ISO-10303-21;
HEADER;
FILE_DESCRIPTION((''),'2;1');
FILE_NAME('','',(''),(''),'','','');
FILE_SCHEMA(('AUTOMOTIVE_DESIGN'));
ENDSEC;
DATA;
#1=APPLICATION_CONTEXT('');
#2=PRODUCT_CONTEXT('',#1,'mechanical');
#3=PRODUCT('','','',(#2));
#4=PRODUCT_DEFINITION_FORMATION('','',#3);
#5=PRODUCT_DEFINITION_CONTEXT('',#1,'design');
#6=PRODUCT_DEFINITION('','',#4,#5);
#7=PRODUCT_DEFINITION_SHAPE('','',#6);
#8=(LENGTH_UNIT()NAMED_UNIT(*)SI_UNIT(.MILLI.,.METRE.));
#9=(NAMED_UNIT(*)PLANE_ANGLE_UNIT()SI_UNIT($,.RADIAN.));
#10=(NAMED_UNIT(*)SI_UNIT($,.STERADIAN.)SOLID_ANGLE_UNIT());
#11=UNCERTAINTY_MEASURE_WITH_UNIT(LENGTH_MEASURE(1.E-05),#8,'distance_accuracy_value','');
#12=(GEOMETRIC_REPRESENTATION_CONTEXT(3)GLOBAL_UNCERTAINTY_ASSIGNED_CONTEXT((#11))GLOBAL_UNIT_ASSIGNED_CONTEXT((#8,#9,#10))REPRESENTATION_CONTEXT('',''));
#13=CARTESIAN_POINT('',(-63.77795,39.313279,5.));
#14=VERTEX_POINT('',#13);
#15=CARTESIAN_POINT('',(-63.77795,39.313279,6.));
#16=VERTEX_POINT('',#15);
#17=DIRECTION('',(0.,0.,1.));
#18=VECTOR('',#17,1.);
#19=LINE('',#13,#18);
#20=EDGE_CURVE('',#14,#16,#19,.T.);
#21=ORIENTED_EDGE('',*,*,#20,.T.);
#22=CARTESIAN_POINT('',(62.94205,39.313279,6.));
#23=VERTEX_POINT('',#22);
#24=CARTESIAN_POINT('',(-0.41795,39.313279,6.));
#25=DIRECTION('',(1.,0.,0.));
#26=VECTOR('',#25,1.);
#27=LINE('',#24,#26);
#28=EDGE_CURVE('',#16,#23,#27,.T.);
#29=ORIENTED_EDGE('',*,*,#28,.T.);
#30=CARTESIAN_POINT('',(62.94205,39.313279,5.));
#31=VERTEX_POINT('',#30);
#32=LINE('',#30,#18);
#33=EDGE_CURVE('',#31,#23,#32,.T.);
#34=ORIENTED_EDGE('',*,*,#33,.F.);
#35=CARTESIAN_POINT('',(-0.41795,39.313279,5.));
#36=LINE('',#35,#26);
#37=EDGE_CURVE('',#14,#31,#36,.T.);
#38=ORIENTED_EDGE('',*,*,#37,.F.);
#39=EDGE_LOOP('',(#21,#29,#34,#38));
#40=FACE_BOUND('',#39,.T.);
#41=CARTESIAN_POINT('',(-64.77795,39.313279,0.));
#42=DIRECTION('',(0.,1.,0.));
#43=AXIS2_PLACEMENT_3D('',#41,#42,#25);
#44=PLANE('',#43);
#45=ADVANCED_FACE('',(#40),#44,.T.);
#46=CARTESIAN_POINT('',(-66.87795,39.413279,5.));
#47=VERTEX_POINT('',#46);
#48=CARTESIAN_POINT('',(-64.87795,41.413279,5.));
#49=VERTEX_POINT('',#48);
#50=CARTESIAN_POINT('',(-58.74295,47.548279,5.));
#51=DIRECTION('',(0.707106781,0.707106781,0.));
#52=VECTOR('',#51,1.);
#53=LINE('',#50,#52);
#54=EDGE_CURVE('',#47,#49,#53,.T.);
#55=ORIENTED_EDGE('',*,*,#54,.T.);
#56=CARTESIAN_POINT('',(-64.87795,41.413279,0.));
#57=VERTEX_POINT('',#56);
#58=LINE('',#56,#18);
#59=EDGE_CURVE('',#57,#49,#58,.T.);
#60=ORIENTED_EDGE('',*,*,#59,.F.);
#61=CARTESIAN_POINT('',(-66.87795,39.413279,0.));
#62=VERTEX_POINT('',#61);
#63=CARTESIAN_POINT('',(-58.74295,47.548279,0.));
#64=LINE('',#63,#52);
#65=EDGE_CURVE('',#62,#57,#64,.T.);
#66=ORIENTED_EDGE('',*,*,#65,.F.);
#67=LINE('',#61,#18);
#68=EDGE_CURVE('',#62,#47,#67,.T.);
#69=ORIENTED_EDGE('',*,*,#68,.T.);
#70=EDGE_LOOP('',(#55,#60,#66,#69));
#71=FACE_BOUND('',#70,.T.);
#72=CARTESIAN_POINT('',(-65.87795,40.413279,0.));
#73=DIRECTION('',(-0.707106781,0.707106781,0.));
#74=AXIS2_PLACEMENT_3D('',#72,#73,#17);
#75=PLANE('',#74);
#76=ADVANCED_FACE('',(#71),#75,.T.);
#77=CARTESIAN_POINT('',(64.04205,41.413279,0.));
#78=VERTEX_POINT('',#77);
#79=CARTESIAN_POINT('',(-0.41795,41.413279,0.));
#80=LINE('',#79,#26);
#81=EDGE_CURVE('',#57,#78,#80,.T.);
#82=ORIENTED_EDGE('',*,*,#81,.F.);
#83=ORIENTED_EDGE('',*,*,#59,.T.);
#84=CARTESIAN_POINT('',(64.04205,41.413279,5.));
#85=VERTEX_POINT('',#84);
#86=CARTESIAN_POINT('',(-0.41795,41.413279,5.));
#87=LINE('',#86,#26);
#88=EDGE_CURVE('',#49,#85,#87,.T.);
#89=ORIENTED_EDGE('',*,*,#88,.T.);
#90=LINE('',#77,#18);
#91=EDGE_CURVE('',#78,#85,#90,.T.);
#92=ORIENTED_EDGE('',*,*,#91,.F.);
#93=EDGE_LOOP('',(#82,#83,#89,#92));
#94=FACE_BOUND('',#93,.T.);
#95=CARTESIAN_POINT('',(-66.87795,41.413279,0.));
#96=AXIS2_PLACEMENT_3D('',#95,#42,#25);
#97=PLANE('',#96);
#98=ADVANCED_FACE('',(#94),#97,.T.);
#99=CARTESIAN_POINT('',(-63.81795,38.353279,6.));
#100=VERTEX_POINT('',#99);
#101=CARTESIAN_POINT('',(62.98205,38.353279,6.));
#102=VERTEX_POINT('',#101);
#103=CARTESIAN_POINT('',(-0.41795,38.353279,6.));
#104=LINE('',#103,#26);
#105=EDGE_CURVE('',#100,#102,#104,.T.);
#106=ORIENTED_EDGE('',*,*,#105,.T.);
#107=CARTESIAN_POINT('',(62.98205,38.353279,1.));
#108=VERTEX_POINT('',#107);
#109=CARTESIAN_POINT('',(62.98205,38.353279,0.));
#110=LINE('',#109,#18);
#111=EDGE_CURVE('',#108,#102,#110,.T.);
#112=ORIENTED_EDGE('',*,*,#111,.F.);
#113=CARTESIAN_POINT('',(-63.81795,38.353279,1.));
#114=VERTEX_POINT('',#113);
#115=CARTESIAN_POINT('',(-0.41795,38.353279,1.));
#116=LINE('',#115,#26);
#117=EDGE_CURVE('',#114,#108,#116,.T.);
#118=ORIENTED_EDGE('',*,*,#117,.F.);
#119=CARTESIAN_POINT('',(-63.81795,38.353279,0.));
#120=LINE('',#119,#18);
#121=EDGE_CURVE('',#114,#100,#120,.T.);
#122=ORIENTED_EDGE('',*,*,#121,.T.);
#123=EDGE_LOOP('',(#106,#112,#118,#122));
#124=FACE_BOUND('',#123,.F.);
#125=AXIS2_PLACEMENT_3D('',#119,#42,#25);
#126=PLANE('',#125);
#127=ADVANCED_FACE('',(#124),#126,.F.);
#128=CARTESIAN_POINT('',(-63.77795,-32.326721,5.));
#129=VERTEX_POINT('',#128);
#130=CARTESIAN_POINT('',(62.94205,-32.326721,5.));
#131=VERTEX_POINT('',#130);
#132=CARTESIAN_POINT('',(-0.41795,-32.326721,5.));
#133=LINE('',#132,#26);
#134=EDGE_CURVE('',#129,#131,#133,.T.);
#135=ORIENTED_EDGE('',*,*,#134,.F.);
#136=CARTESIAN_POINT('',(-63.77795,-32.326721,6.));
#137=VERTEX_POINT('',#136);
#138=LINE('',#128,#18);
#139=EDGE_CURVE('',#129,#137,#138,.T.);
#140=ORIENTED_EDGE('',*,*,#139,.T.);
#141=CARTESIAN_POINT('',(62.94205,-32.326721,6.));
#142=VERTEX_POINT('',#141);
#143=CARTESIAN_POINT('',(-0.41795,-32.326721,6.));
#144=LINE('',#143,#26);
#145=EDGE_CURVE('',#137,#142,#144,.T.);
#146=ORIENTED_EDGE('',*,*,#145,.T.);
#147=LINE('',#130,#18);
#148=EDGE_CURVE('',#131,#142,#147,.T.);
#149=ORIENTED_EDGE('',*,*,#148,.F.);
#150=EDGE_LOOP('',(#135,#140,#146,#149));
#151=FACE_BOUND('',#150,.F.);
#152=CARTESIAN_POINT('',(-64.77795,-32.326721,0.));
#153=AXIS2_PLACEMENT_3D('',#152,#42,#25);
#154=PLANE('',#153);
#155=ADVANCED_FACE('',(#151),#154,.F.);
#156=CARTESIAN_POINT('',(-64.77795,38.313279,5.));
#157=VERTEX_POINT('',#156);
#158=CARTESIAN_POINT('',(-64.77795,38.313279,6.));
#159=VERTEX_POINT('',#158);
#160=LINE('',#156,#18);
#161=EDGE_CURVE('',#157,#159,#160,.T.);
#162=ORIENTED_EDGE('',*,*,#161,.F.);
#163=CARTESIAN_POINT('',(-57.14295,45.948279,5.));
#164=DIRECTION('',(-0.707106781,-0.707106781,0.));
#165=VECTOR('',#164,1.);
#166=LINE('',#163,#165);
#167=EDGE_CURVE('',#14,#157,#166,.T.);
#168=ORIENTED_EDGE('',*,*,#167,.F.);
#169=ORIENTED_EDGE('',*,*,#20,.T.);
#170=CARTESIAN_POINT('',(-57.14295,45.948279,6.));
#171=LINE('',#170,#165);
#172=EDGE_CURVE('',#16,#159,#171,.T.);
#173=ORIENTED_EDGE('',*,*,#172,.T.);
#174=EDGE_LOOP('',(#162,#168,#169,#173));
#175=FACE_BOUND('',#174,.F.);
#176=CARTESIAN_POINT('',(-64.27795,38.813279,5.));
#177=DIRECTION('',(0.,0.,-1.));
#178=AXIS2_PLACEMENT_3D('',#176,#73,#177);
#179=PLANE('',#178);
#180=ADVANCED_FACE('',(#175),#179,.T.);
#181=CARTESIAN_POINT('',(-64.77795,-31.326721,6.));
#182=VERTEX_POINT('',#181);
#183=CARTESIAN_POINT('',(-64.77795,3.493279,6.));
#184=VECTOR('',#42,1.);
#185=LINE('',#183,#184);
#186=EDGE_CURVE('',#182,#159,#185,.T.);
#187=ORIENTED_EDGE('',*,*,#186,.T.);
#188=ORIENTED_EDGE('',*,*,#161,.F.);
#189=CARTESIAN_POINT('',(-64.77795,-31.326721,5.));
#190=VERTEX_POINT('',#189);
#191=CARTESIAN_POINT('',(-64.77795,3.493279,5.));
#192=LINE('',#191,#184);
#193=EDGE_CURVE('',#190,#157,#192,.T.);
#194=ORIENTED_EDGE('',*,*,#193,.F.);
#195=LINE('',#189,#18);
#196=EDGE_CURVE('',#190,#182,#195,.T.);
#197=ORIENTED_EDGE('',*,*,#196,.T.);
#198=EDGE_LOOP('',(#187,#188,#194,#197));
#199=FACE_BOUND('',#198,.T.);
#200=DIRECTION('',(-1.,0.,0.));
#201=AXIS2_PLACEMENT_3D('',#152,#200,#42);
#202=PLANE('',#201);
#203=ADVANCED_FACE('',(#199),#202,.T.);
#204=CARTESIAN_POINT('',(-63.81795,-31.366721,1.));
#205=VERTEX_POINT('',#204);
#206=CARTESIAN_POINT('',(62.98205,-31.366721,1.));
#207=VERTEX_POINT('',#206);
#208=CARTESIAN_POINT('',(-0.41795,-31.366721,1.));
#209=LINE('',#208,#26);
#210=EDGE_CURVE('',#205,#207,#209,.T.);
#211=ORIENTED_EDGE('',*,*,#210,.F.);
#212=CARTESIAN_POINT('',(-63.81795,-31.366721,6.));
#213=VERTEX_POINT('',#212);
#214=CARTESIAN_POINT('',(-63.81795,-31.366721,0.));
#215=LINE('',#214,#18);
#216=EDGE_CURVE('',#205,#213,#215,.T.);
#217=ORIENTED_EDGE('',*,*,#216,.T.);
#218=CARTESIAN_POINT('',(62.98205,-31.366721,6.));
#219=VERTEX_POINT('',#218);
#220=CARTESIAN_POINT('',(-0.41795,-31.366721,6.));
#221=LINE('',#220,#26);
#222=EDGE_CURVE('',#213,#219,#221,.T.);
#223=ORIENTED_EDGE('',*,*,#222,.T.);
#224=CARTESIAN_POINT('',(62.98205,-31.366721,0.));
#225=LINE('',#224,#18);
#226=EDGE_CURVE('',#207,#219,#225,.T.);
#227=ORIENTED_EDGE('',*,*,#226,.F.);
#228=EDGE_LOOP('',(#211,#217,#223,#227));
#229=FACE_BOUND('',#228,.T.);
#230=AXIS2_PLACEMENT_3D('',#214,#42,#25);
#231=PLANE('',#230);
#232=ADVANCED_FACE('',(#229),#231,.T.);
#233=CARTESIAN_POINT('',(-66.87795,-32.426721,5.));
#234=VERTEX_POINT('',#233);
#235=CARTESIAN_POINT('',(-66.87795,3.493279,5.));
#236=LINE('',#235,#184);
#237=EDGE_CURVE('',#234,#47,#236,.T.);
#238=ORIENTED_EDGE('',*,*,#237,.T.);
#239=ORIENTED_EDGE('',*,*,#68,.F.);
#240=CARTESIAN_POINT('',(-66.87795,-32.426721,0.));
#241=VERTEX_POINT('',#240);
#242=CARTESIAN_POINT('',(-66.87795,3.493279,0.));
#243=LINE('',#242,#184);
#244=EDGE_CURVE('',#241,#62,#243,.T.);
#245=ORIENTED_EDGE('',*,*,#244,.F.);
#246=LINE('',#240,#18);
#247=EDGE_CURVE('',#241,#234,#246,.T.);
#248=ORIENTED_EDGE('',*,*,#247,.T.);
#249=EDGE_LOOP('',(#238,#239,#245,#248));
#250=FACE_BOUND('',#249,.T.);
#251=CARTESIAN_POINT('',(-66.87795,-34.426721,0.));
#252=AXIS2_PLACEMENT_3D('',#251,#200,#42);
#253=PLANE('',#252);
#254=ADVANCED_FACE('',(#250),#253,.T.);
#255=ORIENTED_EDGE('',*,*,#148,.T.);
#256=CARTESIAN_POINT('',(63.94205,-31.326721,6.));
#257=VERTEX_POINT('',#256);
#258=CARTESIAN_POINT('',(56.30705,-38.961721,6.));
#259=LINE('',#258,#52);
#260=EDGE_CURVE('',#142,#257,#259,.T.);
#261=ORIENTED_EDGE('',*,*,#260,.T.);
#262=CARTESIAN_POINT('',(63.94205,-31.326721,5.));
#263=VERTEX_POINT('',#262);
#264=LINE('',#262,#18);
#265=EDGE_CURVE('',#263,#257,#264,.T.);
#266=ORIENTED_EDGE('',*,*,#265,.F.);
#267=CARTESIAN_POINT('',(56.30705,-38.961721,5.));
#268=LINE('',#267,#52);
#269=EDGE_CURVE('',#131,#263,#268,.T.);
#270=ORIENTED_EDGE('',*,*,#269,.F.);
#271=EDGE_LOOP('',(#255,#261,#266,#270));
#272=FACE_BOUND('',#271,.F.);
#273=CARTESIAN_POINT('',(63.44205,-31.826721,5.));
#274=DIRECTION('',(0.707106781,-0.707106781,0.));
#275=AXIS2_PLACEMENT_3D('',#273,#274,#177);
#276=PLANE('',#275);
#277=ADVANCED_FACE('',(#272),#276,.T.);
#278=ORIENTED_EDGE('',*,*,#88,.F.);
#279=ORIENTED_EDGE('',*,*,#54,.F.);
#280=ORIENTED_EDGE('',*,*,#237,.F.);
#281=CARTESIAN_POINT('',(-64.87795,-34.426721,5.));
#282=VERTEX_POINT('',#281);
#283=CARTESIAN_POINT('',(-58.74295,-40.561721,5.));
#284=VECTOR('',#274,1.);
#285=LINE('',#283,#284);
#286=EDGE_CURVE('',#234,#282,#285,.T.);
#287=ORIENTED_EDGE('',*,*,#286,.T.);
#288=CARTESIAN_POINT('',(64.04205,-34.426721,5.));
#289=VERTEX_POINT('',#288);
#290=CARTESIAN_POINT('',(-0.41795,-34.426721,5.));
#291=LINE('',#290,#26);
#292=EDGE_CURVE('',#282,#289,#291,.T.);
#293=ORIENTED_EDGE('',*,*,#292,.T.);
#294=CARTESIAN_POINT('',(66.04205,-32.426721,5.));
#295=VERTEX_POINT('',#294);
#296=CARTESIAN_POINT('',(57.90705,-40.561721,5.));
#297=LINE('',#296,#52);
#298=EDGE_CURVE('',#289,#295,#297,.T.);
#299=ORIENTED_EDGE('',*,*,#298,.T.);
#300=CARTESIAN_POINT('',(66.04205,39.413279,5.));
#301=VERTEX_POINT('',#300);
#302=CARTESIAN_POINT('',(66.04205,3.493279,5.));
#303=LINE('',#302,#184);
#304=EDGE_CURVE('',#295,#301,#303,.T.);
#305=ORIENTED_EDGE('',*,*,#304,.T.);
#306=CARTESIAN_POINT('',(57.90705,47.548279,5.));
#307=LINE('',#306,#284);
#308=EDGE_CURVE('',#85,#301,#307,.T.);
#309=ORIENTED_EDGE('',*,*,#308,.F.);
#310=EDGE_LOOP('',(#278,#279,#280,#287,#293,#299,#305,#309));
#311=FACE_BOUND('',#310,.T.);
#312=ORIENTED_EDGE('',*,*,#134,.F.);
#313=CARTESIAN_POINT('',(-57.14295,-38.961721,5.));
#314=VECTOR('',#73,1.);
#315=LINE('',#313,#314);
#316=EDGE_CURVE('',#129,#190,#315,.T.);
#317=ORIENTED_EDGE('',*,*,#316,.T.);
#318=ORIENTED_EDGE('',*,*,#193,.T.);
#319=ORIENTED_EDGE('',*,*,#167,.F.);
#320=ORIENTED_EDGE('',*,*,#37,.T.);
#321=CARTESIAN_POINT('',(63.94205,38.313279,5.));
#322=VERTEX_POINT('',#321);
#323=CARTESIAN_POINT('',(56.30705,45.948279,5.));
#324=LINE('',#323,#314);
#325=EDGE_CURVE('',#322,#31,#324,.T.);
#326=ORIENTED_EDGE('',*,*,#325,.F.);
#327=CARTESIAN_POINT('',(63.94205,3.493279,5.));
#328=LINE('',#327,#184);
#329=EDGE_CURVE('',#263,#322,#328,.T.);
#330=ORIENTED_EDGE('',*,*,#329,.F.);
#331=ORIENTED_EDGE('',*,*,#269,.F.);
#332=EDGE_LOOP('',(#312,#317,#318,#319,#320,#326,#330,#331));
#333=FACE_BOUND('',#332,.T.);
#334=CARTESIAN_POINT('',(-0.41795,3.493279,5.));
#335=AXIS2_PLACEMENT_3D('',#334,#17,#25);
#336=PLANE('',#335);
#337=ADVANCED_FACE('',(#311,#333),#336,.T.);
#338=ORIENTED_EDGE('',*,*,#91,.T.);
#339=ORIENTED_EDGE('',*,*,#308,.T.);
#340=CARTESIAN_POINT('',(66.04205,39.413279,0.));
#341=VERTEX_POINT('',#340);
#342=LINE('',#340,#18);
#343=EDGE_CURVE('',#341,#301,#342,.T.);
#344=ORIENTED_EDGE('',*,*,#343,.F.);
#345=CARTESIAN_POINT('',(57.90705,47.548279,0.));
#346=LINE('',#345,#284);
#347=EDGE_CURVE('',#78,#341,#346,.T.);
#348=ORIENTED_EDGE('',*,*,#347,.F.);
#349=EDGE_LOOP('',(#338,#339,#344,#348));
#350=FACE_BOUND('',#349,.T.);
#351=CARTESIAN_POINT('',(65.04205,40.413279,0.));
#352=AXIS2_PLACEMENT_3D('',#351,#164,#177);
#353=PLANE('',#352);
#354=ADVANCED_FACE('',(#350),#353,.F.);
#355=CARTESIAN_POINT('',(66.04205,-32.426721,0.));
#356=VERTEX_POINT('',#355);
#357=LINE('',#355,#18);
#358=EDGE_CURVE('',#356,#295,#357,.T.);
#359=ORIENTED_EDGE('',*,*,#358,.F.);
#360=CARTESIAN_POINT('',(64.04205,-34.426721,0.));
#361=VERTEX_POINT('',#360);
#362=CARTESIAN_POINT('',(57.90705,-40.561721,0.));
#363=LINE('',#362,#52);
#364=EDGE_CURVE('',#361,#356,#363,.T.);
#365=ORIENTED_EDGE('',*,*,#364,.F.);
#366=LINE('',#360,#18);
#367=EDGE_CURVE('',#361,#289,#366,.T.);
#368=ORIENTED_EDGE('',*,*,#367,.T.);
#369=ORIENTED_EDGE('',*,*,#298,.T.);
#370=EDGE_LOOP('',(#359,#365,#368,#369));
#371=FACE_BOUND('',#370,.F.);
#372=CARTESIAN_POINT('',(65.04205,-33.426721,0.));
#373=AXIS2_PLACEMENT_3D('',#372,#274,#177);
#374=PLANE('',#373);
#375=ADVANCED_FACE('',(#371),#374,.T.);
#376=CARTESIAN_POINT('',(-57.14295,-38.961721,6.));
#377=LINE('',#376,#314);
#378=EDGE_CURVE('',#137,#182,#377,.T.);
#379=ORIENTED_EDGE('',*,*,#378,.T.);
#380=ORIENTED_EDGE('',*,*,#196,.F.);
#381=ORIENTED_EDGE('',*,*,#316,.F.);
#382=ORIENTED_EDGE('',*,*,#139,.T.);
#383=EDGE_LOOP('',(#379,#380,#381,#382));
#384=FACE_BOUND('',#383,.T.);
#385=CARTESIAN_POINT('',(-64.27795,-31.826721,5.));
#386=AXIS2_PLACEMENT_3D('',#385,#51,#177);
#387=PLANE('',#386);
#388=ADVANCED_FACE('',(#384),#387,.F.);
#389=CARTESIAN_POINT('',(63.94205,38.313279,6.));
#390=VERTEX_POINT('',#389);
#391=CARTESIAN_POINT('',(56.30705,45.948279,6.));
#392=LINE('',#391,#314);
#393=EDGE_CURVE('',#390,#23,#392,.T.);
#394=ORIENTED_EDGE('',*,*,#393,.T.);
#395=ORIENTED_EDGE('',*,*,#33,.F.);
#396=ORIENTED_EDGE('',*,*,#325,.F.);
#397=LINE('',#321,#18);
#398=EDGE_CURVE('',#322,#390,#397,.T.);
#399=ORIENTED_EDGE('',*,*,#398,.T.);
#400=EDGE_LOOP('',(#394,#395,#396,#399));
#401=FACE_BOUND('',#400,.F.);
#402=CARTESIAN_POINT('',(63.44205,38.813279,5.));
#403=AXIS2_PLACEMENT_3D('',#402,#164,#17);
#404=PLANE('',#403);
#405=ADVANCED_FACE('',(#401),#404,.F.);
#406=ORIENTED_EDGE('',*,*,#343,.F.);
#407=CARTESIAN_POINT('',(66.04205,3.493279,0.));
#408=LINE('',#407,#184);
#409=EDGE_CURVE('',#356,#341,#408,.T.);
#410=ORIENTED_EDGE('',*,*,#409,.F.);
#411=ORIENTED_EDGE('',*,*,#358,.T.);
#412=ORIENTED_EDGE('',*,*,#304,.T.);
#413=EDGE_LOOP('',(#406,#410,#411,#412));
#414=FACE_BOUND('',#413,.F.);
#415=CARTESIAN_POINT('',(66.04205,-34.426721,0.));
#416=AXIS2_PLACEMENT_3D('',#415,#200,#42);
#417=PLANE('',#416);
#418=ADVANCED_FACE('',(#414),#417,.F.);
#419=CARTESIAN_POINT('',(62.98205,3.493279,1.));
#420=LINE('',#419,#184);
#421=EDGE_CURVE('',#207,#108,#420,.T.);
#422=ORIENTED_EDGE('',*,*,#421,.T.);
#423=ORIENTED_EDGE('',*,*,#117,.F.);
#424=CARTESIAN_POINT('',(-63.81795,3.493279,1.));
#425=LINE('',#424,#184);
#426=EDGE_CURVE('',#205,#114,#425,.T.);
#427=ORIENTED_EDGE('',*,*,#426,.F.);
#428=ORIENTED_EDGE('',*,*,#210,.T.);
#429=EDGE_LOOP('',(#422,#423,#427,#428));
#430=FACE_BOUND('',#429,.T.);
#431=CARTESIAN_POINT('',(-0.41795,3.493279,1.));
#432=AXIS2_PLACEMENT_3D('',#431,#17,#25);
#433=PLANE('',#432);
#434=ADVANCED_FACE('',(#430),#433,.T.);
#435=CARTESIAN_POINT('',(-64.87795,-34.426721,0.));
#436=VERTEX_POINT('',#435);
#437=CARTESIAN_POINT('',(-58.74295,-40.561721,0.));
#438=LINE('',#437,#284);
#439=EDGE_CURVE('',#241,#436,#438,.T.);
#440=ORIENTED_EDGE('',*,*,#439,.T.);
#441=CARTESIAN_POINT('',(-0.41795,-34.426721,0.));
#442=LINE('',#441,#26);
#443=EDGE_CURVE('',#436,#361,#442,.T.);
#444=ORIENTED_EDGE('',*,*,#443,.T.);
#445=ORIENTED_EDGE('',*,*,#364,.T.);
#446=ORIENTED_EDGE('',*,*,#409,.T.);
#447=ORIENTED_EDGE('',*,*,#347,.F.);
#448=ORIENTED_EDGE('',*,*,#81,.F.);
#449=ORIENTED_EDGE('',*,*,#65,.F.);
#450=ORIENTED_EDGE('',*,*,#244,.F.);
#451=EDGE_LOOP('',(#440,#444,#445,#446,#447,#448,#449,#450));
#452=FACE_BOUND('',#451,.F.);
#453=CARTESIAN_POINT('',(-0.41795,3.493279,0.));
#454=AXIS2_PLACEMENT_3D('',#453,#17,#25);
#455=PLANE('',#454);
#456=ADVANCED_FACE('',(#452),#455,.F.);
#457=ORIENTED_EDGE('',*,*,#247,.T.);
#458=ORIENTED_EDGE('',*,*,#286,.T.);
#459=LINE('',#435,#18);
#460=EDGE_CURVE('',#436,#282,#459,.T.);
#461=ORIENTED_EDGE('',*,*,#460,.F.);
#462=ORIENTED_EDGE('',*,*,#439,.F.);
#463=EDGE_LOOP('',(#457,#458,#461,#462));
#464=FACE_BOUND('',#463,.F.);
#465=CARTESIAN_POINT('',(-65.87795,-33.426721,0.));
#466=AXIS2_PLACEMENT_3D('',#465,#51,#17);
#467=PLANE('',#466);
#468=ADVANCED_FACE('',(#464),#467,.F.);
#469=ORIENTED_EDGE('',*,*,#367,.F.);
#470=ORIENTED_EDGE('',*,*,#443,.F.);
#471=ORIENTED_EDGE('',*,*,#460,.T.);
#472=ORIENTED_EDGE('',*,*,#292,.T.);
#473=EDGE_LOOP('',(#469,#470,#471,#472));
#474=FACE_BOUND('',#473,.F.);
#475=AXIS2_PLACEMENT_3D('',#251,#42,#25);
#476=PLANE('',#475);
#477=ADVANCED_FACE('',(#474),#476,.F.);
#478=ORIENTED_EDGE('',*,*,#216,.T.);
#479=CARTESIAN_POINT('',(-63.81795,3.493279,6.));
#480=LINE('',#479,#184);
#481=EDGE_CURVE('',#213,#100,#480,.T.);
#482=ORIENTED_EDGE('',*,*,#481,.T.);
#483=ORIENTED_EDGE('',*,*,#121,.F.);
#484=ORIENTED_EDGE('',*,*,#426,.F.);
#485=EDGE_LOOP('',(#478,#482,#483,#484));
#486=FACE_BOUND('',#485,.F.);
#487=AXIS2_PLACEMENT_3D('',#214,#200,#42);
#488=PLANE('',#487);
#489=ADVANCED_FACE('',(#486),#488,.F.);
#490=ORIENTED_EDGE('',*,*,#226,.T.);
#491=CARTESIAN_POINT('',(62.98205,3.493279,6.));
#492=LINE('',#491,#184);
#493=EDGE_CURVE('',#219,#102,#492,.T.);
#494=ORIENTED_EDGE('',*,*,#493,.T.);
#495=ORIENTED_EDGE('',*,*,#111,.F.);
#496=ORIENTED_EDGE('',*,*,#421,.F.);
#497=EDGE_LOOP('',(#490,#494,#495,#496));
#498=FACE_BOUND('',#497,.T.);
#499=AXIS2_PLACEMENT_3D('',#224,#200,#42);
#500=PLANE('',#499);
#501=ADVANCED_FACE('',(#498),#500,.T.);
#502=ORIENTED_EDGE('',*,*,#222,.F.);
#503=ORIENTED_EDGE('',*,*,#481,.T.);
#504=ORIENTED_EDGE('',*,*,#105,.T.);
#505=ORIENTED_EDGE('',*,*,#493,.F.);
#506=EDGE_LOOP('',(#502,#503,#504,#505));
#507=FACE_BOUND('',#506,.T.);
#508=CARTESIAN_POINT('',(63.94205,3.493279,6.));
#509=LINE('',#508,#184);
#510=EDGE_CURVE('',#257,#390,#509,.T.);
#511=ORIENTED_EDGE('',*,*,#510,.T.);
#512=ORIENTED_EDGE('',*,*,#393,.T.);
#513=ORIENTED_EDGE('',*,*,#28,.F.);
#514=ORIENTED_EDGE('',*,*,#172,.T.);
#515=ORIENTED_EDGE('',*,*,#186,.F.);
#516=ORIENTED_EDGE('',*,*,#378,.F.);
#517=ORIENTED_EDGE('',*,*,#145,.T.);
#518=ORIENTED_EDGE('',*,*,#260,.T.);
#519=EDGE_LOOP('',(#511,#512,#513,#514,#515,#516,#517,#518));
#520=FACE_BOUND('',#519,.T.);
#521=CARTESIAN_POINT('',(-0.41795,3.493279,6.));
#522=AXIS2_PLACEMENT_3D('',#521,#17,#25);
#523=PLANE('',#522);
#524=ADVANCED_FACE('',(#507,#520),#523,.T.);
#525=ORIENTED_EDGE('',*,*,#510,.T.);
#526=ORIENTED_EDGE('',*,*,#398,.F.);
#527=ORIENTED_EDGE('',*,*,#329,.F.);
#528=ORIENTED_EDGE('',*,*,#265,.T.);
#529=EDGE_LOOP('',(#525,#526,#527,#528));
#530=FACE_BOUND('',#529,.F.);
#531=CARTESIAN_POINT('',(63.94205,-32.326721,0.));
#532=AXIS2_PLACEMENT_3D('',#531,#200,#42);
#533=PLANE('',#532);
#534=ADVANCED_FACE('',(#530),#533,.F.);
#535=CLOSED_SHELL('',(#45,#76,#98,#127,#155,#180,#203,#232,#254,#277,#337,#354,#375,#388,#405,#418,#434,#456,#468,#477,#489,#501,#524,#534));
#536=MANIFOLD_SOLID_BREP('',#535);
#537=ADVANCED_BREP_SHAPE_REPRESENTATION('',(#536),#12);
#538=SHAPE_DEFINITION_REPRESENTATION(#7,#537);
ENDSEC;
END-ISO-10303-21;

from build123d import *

# Parameters (mm, degrees)
F0_W     = 128.72
F0_H     = 71.64
F0_W_2   = 126.8
F0_H_2   = 69.72
F1_DEPTH = 6
F0_W_3   = 132.92
F0_H_3   = 75.84
F2_DEPTH = 5
F3_DEPTH = 1
F5_SIZE  = 1
F6_SIZE  = 2


with BuildPart() as f1:
    # F0 (on Top) → F1 (new body)
    with BuildSketch(Plane.XY):
        with Locations((9.5820501447, 3.493278903)):
            Rectangle(F0_W, F0_H)
        with Locations((9.5820501447, 3.493278903)):
            Rectangle(F0_W_2, F0_H_2, mode=Mode.SUBTRACT)
    extrude(amount=F1_DEPTH)

    # F0 (on Top) → F2 (join)
    with BuildSketch(Plane.XY):
        with Locations((9.5820501447, 3.493278903)):
            Rectangle(F0_W_3, F0_H_3)
        with Locations((9.5820501447, 3.493278903)):
            Rectangle(F0_W, F0_H, mode=Mode.SUBTRACT)
    extrude(amount=F2_DEPTH)

    # F0 (on Top) → F3 (join)
    with BuildSketch(Plane.XY):
        with Locations((9.5820501447, 3.493278903)):
            Rectangle(F0_W_2, F0_H_2)
    extrude(amount=F3_DEPTH)


with BuildPart() as f1_1:
    # F4: moved
    add(f1.part.moved(Location((-10, 0, 0))))

    # F5
    f5_edges = [f1_1.edges().sort_by_distance(p)[0] for p in [
        (-64.77795, -32.326721, 5.5),
        (63.94205, -32.326721, 5.5),
        (63.94205, 39.313279, 5.5),
        (-64.77795, 39.313279, 5.5),
    ]]
    chamfer(f5_edges, length=F5_SIZE)

    # F6
    f6_edges = [f1_1.edges().sort_by_distance(p)[0] for p in [
        (-66.87795, 41.413279, 2.5),
        (-66.87795, -34.426721, 2.5),
        (66.04205, -34.426721, 2.5),
        (66.04205, 41.413279, 2.5),
    ]]
    chamfer(f6_edges, length=F6_SIZE)


solid = f1_1.part
